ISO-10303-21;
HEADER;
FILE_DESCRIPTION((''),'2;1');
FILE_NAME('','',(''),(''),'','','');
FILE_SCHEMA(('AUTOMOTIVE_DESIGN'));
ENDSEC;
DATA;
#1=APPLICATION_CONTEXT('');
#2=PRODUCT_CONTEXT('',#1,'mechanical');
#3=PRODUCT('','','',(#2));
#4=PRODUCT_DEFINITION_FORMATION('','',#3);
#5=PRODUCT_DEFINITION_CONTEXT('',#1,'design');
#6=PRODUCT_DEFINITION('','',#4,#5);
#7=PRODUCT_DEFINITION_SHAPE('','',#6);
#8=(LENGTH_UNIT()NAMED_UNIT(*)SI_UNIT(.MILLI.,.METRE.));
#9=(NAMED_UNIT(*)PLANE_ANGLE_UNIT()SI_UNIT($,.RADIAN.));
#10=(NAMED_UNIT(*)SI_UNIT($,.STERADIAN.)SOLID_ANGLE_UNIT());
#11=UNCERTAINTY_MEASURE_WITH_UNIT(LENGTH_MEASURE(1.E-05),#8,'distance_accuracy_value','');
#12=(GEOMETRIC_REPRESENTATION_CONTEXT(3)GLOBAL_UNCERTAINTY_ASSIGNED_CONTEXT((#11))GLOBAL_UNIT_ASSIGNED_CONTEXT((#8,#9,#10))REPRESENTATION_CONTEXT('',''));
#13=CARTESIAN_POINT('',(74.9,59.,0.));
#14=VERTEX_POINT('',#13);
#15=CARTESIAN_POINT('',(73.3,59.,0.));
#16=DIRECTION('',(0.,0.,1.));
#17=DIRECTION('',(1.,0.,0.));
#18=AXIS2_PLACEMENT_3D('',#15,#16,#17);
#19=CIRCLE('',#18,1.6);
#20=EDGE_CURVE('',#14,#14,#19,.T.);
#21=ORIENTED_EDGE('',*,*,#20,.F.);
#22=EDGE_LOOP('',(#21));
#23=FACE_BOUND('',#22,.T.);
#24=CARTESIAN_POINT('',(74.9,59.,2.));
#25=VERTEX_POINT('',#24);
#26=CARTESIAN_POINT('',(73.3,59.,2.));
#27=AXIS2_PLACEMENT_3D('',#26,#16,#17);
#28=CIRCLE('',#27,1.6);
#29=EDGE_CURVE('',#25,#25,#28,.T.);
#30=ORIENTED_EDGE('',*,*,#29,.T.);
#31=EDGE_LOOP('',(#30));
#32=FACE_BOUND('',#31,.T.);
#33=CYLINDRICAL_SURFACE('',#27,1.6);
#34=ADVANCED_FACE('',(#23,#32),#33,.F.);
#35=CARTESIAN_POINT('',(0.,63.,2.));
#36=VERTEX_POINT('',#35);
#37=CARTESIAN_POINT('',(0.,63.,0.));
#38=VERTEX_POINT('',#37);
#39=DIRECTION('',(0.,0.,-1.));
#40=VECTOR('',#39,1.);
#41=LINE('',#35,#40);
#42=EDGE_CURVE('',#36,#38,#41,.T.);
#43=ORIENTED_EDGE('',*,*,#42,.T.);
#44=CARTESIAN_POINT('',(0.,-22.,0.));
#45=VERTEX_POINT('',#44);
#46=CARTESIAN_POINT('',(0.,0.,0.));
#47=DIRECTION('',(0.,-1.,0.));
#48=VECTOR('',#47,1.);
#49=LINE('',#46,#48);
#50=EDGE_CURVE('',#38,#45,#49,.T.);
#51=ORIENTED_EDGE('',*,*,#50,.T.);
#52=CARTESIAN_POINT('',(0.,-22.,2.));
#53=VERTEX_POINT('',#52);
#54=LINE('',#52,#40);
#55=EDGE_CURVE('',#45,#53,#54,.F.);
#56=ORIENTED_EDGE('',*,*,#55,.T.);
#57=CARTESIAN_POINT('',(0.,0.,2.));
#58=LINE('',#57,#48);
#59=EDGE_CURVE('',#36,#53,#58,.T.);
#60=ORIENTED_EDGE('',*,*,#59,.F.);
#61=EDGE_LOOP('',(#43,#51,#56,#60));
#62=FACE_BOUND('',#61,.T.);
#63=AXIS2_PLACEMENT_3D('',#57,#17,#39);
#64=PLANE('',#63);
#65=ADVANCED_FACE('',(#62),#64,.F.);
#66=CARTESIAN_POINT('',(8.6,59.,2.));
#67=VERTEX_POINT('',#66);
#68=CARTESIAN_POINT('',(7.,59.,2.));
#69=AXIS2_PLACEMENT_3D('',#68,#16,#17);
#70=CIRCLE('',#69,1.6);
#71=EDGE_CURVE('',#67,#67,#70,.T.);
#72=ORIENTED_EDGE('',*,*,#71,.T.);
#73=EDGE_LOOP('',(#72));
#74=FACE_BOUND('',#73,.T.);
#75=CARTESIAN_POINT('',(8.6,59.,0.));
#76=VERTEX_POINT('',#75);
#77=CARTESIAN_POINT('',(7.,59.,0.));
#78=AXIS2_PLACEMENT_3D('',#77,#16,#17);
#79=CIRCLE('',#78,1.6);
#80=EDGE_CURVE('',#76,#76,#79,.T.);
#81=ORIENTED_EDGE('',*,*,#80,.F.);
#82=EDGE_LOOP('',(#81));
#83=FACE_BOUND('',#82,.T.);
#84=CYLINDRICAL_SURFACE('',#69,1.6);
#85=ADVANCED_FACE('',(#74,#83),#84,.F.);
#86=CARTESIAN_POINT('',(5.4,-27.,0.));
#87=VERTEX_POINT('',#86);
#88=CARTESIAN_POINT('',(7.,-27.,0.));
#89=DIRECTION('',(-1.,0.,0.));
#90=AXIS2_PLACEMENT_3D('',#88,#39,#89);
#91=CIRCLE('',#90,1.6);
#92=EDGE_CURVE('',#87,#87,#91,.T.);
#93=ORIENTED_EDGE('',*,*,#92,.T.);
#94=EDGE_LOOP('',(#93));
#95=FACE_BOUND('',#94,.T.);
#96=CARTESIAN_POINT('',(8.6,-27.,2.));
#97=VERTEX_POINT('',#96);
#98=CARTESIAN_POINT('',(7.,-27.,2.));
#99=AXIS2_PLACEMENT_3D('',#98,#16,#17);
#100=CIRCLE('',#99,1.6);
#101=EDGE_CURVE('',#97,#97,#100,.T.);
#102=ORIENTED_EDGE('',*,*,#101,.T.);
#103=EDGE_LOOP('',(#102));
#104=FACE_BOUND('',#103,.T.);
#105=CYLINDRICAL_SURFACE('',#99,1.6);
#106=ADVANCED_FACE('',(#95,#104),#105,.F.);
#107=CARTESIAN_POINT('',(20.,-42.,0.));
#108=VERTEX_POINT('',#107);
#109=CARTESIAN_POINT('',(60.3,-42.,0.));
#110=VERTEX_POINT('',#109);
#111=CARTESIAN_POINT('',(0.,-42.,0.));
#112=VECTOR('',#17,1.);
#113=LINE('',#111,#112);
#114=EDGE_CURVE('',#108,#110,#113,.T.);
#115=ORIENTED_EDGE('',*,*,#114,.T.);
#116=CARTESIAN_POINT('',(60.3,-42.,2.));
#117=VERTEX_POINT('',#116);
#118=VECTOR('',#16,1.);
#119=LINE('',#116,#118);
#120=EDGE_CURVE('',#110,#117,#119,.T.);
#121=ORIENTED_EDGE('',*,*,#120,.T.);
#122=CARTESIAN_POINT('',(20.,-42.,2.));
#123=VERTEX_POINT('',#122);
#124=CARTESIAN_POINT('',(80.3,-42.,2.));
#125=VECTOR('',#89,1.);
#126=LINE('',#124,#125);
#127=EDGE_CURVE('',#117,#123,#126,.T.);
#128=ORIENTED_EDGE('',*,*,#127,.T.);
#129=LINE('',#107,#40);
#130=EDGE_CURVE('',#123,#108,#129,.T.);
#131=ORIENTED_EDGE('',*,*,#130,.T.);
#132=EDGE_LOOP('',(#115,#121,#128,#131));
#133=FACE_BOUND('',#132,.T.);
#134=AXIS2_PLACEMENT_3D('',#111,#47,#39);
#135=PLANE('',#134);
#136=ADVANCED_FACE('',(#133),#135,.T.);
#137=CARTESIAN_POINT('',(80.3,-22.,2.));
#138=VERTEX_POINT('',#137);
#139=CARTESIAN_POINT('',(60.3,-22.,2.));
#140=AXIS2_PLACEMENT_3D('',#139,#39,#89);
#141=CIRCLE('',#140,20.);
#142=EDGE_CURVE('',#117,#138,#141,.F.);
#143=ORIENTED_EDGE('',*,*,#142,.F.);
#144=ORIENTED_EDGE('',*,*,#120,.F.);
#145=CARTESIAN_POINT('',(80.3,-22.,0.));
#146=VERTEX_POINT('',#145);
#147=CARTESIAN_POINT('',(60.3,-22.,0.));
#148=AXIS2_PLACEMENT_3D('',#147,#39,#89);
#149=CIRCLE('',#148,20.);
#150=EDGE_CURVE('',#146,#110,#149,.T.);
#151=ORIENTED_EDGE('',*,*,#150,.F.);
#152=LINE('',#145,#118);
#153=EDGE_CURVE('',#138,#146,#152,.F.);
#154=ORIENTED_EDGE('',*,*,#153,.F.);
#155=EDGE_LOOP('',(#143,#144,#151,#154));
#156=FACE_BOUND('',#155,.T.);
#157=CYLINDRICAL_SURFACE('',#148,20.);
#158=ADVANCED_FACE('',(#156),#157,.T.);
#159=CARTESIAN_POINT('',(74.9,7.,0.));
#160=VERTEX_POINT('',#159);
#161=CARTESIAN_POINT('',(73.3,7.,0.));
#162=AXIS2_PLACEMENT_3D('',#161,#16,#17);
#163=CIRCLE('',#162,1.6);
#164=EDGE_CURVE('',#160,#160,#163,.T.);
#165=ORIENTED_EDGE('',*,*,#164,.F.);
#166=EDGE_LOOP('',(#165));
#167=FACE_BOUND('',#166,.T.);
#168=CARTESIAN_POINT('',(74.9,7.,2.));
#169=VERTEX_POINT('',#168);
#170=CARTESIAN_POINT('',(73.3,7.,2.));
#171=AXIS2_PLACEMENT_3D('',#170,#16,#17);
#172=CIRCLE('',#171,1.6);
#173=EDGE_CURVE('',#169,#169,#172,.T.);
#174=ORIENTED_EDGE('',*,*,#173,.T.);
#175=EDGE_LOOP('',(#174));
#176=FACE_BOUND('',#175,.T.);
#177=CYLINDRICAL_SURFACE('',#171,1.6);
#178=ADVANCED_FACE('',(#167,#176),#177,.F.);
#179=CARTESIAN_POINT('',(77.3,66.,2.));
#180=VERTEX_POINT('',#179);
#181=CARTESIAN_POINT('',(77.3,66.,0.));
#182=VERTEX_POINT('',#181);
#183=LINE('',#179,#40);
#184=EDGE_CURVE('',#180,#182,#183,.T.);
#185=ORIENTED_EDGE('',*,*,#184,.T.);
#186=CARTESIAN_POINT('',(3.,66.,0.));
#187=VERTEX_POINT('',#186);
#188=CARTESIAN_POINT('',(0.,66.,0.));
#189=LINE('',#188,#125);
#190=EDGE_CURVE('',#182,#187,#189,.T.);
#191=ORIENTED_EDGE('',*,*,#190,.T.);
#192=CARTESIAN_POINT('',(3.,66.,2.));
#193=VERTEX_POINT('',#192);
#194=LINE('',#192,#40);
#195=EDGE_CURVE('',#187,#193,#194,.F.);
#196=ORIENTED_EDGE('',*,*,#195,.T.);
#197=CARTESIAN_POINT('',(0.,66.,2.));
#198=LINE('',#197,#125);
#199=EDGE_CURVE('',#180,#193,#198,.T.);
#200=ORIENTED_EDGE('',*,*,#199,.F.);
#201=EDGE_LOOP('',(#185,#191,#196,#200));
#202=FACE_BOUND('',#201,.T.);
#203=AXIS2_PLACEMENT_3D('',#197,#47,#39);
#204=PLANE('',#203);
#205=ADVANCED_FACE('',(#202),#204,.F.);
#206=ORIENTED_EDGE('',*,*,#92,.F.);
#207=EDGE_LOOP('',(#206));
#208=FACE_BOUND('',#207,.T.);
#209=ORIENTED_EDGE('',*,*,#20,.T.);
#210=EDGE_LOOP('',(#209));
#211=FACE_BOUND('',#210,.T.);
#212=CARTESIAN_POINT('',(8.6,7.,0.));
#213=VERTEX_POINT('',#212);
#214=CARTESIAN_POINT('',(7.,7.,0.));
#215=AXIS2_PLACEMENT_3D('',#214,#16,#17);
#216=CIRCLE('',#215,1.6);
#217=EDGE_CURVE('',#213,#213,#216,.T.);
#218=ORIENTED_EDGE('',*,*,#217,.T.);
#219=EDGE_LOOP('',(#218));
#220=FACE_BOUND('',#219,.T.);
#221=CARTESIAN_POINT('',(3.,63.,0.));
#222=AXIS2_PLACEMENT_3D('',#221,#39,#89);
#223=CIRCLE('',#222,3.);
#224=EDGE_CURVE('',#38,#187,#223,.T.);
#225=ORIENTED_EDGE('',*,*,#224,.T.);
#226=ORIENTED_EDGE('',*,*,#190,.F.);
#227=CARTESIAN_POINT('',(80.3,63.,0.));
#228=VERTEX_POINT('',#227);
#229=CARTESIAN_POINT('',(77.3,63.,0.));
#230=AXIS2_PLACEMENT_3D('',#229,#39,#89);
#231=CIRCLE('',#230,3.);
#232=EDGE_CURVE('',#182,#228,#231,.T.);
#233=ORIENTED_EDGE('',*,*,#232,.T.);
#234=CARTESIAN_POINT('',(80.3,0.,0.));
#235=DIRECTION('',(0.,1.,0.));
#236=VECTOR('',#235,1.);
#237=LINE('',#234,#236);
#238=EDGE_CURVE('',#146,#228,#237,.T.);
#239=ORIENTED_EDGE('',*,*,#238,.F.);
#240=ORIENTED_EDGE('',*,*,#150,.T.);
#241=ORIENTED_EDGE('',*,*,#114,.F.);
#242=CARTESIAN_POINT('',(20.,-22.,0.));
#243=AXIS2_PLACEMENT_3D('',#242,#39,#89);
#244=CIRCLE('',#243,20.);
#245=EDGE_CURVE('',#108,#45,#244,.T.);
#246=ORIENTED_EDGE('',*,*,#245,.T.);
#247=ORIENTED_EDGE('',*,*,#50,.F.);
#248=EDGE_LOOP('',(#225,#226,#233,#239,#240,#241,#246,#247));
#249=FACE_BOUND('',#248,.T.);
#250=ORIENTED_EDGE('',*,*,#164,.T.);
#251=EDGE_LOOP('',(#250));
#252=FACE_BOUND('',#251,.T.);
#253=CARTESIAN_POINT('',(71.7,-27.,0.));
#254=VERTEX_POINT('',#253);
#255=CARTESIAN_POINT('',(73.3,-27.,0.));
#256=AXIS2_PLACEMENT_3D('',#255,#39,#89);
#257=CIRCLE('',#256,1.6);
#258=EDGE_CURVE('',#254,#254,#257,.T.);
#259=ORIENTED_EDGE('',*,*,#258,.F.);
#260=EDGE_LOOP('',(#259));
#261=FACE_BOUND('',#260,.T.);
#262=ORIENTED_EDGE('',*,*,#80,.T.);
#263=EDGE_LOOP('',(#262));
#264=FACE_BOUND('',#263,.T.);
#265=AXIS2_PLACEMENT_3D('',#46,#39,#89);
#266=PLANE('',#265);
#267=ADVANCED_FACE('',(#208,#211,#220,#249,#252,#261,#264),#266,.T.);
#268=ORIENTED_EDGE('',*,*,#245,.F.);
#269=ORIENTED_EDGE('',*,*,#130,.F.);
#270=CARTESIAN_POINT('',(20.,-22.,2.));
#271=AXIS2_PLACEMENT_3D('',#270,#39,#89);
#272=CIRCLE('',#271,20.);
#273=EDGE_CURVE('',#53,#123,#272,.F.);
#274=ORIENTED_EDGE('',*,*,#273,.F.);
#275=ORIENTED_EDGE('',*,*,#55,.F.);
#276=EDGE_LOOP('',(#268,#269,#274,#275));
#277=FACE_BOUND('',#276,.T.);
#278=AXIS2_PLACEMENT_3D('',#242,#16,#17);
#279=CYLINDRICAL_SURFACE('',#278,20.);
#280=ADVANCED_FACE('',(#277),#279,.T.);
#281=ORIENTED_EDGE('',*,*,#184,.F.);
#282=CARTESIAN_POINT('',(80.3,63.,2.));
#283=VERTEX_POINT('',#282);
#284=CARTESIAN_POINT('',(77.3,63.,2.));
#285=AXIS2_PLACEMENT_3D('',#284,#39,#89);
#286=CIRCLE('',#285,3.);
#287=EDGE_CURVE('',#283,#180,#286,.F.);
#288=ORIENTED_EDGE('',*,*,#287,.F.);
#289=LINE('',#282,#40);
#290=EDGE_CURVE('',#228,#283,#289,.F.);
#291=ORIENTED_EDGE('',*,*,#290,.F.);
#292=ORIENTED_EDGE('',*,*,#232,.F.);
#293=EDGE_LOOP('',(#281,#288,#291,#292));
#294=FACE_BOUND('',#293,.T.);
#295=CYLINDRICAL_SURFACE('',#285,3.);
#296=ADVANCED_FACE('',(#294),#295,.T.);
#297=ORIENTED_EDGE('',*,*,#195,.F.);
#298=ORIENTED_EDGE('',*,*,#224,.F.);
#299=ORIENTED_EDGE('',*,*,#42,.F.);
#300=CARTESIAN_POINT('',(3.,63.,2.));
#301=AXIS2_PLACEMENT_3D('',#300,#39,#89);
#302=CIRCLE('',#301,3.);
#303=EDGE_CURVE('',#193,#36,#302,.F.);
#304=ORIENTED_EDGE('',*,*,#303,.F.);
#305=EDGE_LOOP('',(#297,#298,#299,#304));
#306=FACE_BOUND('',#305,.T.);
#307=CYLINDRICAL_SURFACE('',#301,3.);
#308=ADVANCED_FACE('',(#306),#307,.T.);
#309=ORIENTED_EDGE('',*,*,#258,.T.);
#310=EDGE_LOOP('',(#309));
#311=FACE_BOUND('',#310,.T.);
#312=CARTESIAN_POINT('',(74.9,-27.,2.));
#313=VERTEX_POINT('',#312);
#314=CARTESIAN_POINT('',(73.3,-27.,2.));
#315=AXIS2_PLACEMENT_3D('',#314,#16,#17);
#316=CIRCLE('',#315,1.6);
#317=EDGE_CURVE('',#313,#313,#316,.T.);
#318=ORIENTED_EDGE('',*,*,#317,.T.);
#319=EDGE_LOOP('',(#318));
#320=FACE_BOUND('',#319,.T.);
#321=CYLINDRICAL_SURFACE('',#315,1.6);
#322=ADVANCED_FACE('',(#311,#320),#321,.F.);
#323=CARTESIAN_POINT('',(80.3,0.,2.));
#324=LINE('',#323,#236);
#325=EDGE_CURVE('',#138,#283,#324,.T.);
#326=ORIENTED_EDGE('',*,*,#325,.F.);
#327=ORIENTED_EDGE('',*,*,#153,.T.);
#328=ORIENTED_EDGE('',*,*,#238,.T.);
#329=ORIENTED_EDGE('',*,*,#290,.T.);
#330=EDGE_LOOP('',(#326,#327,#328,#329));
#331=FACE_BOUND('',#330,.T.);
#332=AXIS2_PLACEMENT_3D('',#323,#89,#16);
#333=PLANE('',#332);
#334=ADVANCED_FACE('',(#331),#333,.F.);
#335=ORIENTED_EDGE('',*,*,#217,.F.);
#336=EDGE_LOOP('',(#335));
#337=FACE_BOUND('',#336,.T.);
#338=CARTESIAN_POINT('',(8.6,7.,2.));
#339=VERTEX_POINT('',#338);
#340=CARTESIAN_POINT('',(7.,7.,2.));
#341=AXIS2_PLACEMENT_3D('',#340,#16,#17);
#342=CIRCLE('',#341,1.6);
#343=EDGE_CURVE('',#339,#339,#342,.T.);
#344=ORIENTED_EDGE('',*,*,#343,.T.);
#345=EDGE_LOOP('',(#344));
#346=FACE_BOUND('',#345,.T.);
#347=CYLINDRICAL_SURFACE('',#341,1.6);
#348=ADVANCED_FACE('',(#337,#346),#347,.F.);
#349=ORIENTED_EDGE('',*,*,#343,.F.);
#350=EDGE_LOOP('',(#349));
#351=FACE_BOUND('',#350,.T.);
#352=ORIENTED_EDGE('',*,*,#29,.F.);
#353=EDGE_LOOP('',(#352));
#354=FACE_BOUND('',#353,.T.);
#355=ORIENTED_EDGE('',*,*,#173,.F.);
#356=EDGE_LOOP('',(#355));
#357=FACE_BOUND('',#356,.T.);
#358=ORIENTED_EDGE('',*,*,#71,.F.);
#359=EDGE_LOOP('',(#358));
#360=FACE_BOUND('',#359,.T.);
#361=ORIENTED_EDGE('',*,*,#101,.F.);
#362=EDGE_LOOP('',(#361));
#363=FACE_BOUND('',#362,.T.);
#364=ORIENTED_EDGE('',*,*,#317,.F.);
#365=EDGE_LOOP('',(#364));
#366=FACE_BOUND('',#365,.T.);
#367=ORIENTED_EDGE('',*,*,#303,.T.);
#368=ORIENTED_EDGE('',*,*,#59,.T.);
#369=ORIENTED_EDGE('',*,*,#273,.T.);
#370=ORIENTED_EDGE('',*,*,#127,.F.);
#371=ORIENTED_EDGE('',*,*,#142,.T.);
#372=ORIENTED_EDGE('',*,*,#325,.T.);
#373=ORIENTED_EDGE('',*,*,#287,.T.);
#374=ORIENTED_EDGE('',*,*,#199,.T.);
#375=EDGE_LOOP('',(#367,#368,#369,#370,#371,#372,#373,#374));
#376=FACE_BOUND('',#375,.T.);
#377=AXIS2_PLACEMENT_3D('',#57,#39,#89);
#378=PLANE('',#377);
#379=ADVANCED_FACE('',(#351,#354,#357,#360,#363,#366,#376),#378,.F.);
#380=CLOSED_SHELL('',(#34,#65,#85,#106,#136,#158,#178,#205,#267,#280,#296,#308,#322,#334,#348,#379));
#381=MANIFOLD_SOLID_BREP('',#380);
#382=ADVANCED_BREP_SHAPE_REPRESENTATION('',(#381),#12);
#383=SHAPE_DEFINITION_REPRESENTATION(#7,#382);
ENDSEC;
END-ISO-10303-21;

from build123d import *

# Parameters (mm, degrees)
SKETCH1_W                      = 80.3
SKETCH1_H                      = 66
BOSS_EXTRUDE1_DEPTH            = 2
F_3_2_3_2_DIAMETER_HOLE1_D     = 3.2
FILLET1_R                      = 3
SKETCH4_W                      = 80.3
SKETCH4_H                      = 2
BOSS_EXTRUDE2_DEPTH            = 42
FILLET2_R                      = 20
F_3_2_3_2_DIAMETER_HOLE2_D     = 3.2
F_3_2_3_2_DIAMETER_HOLE2_DEPTH = 60
F_3_2_3_2_DIAMETER_HOLE2_TIP   = 0.96137699


with BuildPart() as part:
    # Sketch1 → Boss-Extrude1 (new body)
    with BuildSketch(Plane.XY):
        with Locations((40.15, 33)):
            Rectangle(SKETCH1_W, SKETCH1_H)
    extrude(amount=BOSS_EXTRUDE1_DEPTH)

    # Ø3.2 (3.2) Diameter Hole1 (through all)
    with Locations(Plane.XY.offset(2)):
        with Locations((7, 59), (73.3, 59), (73.3, 7), (7, 7)):
            Hole(F_3_2_3_2_DIAMETER_HOLE1_D / 2)

    # Fillet1
    fillet1_edges = [part.edges().sort_by_distance(p)[0] for p in [
        (0, 66, 1),
        (80.3, 66, 1),
    ]]
    fillet(fillet1_edges, radius=FILLET1_R)

    # Sketch4 → Boss-Extrude2 (add)
    with BuildSketch(Plane.XZ):
        with Locations((40.15, 1)):
            Rectangle(SKETCH4_W, SKETCH4_H)
    extrude(amount=BOSS_EXTRUDE2_DEPTH)

    # Fillet2
    fillet2_edges = [part.edges().sort_by_distance(p)[0] for p in [
        (0, -42, 1),
        (80.3, -42, 1),
    ]]
    fillet(fillet2_edges, radius=FILLET2_R)

    # Ø3.2 (3.2) Diameter Hole2
    with Locations(Plane.XY.offset(2)):
        with Locations((7, -27), (73.3, -27)):
            Hole(F_3_2_3_2_DIAMETER_HOLE2_D / 2, depth=F_3_2_3_2_DIAMETER_HOLE2_DEPTH)
            with Locations((0, 0, -(F_3_2_3_2_DIAMETER_HOLE2_DEPTH + F_3_2_3_2_DIAMETER_HOLE2_TIP / 2))):  # 118° drill point
                Cone(0, F_3_2_3_2_DIAMETER_HOLE2_D / 2, F_3_2_3_2_DIAMETER_HOLE2_TIP, mode=Mode.SUBTRACT)


solid = part.part
